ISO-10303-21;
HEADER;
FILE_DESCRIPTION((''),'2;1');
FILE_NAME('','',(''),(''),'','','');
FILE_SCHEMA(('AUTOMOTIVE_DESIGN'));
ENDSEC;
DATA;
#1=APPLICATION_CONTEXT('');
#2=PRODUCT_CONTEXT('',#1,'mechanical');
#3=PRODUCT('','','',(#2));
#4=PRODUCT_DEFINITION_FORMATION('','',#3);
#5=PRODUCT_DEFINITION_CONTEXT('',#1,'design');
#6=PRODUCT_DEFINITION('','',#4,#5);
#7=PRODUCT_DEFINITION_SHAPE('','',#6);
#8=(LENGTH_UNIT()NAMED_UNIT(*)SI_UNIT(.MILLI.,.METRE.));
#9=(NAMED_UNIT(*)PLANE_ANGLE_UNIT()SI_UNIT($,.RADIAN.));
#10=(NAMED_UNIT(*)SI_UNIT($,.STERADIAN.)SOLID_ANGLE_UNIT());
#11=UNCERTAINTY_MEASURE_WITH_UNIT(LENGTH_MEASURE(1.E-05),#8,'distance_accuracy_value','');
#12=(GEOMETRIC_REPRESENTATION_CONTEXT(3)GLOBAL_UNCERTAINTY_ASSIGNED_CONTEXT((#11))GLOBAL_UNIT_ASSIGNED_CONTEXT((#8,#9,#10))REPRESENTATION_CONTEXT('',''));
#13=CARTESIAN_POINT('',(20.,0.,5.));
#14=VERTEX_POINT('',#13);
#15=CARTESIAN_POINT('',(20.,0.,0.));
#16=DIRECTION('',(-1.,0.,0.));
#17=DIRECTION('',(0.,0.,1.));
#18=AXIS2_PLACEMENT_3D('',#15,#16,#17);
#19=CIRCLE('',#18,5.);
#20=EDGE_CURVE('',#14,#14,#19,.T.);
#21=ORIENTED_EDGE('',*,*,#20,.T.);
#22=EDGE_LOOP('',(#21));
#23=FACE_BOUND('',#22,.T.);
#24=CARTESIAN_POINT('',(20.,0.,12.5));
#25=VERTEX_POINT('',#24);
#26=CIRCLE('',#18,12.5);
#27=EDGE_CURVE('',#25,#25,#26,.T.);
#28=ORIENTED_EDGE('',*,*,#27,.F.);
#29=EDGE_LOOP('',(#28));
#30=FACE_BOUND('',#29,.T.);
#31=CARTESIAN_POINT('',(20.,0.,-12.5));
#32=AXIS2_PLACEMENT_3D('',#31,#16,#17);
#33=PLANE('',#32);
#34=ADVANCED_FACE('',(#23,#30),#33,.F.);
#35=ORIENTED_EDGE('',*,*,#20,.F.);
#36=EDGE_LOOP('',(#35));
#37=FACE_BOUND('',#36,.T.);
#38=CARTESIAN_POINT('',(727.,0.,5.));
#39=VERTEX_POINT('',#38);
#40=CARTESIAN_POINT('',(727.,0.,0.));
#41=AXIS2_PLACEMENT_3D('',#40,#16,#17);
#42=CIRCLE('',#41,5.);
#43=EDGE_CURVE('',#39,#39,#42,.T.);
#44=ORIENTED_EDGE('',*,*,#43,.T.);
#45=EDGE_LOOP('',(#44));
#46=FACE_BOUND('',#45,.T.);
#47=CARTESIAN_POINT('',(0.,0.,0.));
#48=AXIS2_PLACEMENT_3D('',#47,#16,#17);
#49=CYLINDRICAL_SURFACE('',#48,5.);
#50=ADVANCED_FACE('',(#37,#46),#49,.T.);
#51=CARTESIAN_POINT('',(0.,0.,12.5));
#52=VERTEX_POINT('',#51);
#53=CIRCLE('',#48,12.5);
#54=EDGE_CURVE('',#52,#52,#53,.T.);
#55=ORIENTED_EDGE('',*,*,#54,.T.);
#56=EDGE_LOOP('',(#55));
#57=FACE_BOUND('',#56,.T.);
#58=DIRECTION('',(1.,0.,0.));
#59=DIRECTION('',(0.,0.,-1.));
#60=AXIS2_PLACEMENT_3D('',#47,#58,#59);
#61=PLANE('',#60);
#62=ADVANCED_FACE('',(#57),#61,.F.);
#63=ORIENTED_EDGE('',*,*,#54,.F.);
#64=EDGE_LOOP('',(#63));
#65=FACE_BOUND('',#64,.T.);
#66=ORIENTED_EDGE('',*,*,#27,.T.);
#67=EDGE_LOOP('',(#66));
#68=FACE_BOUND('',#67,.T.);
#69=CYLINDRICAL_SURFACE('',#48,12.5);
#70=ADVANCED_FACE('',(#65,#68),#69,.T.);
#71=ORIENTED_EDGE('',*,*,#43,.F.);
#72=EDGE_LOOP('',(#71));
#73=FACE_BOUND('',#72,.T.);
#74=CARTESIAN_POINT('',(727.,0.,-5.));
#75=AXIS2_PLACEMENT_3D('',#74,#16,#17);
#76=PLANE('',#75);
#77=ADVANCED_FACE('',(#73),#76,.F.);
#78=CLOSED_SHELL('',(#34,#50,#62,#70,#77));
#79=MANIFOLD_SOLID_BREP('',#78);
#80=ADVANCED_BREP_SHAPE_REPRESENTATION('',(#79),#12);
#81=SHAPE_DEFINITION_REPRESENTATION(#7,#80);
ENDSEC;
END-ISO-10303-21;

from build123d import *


with BuildPart() as part:
    # 草图1 → 旋转1 (revolve)
    with BuildSketch(Plane(origin=(0, 0, 0), x_dir=(1, 0, 0), z_dir=(0, 1, 0)), mode=Mode.PRIVATE) as revolve_1_sk:
        Polygon((0, 0), (0, 12.5), (20, 12.5), (20, 5), (727, 5), (727, 0), align=None)
    revolve(revolve_1_sk.sketch.rotate(Axis((0, 0, 0), (1, 0, 0)), 180), axis=Axis((0, 0, 0), (1, 0, 0)))


solid = part.part
